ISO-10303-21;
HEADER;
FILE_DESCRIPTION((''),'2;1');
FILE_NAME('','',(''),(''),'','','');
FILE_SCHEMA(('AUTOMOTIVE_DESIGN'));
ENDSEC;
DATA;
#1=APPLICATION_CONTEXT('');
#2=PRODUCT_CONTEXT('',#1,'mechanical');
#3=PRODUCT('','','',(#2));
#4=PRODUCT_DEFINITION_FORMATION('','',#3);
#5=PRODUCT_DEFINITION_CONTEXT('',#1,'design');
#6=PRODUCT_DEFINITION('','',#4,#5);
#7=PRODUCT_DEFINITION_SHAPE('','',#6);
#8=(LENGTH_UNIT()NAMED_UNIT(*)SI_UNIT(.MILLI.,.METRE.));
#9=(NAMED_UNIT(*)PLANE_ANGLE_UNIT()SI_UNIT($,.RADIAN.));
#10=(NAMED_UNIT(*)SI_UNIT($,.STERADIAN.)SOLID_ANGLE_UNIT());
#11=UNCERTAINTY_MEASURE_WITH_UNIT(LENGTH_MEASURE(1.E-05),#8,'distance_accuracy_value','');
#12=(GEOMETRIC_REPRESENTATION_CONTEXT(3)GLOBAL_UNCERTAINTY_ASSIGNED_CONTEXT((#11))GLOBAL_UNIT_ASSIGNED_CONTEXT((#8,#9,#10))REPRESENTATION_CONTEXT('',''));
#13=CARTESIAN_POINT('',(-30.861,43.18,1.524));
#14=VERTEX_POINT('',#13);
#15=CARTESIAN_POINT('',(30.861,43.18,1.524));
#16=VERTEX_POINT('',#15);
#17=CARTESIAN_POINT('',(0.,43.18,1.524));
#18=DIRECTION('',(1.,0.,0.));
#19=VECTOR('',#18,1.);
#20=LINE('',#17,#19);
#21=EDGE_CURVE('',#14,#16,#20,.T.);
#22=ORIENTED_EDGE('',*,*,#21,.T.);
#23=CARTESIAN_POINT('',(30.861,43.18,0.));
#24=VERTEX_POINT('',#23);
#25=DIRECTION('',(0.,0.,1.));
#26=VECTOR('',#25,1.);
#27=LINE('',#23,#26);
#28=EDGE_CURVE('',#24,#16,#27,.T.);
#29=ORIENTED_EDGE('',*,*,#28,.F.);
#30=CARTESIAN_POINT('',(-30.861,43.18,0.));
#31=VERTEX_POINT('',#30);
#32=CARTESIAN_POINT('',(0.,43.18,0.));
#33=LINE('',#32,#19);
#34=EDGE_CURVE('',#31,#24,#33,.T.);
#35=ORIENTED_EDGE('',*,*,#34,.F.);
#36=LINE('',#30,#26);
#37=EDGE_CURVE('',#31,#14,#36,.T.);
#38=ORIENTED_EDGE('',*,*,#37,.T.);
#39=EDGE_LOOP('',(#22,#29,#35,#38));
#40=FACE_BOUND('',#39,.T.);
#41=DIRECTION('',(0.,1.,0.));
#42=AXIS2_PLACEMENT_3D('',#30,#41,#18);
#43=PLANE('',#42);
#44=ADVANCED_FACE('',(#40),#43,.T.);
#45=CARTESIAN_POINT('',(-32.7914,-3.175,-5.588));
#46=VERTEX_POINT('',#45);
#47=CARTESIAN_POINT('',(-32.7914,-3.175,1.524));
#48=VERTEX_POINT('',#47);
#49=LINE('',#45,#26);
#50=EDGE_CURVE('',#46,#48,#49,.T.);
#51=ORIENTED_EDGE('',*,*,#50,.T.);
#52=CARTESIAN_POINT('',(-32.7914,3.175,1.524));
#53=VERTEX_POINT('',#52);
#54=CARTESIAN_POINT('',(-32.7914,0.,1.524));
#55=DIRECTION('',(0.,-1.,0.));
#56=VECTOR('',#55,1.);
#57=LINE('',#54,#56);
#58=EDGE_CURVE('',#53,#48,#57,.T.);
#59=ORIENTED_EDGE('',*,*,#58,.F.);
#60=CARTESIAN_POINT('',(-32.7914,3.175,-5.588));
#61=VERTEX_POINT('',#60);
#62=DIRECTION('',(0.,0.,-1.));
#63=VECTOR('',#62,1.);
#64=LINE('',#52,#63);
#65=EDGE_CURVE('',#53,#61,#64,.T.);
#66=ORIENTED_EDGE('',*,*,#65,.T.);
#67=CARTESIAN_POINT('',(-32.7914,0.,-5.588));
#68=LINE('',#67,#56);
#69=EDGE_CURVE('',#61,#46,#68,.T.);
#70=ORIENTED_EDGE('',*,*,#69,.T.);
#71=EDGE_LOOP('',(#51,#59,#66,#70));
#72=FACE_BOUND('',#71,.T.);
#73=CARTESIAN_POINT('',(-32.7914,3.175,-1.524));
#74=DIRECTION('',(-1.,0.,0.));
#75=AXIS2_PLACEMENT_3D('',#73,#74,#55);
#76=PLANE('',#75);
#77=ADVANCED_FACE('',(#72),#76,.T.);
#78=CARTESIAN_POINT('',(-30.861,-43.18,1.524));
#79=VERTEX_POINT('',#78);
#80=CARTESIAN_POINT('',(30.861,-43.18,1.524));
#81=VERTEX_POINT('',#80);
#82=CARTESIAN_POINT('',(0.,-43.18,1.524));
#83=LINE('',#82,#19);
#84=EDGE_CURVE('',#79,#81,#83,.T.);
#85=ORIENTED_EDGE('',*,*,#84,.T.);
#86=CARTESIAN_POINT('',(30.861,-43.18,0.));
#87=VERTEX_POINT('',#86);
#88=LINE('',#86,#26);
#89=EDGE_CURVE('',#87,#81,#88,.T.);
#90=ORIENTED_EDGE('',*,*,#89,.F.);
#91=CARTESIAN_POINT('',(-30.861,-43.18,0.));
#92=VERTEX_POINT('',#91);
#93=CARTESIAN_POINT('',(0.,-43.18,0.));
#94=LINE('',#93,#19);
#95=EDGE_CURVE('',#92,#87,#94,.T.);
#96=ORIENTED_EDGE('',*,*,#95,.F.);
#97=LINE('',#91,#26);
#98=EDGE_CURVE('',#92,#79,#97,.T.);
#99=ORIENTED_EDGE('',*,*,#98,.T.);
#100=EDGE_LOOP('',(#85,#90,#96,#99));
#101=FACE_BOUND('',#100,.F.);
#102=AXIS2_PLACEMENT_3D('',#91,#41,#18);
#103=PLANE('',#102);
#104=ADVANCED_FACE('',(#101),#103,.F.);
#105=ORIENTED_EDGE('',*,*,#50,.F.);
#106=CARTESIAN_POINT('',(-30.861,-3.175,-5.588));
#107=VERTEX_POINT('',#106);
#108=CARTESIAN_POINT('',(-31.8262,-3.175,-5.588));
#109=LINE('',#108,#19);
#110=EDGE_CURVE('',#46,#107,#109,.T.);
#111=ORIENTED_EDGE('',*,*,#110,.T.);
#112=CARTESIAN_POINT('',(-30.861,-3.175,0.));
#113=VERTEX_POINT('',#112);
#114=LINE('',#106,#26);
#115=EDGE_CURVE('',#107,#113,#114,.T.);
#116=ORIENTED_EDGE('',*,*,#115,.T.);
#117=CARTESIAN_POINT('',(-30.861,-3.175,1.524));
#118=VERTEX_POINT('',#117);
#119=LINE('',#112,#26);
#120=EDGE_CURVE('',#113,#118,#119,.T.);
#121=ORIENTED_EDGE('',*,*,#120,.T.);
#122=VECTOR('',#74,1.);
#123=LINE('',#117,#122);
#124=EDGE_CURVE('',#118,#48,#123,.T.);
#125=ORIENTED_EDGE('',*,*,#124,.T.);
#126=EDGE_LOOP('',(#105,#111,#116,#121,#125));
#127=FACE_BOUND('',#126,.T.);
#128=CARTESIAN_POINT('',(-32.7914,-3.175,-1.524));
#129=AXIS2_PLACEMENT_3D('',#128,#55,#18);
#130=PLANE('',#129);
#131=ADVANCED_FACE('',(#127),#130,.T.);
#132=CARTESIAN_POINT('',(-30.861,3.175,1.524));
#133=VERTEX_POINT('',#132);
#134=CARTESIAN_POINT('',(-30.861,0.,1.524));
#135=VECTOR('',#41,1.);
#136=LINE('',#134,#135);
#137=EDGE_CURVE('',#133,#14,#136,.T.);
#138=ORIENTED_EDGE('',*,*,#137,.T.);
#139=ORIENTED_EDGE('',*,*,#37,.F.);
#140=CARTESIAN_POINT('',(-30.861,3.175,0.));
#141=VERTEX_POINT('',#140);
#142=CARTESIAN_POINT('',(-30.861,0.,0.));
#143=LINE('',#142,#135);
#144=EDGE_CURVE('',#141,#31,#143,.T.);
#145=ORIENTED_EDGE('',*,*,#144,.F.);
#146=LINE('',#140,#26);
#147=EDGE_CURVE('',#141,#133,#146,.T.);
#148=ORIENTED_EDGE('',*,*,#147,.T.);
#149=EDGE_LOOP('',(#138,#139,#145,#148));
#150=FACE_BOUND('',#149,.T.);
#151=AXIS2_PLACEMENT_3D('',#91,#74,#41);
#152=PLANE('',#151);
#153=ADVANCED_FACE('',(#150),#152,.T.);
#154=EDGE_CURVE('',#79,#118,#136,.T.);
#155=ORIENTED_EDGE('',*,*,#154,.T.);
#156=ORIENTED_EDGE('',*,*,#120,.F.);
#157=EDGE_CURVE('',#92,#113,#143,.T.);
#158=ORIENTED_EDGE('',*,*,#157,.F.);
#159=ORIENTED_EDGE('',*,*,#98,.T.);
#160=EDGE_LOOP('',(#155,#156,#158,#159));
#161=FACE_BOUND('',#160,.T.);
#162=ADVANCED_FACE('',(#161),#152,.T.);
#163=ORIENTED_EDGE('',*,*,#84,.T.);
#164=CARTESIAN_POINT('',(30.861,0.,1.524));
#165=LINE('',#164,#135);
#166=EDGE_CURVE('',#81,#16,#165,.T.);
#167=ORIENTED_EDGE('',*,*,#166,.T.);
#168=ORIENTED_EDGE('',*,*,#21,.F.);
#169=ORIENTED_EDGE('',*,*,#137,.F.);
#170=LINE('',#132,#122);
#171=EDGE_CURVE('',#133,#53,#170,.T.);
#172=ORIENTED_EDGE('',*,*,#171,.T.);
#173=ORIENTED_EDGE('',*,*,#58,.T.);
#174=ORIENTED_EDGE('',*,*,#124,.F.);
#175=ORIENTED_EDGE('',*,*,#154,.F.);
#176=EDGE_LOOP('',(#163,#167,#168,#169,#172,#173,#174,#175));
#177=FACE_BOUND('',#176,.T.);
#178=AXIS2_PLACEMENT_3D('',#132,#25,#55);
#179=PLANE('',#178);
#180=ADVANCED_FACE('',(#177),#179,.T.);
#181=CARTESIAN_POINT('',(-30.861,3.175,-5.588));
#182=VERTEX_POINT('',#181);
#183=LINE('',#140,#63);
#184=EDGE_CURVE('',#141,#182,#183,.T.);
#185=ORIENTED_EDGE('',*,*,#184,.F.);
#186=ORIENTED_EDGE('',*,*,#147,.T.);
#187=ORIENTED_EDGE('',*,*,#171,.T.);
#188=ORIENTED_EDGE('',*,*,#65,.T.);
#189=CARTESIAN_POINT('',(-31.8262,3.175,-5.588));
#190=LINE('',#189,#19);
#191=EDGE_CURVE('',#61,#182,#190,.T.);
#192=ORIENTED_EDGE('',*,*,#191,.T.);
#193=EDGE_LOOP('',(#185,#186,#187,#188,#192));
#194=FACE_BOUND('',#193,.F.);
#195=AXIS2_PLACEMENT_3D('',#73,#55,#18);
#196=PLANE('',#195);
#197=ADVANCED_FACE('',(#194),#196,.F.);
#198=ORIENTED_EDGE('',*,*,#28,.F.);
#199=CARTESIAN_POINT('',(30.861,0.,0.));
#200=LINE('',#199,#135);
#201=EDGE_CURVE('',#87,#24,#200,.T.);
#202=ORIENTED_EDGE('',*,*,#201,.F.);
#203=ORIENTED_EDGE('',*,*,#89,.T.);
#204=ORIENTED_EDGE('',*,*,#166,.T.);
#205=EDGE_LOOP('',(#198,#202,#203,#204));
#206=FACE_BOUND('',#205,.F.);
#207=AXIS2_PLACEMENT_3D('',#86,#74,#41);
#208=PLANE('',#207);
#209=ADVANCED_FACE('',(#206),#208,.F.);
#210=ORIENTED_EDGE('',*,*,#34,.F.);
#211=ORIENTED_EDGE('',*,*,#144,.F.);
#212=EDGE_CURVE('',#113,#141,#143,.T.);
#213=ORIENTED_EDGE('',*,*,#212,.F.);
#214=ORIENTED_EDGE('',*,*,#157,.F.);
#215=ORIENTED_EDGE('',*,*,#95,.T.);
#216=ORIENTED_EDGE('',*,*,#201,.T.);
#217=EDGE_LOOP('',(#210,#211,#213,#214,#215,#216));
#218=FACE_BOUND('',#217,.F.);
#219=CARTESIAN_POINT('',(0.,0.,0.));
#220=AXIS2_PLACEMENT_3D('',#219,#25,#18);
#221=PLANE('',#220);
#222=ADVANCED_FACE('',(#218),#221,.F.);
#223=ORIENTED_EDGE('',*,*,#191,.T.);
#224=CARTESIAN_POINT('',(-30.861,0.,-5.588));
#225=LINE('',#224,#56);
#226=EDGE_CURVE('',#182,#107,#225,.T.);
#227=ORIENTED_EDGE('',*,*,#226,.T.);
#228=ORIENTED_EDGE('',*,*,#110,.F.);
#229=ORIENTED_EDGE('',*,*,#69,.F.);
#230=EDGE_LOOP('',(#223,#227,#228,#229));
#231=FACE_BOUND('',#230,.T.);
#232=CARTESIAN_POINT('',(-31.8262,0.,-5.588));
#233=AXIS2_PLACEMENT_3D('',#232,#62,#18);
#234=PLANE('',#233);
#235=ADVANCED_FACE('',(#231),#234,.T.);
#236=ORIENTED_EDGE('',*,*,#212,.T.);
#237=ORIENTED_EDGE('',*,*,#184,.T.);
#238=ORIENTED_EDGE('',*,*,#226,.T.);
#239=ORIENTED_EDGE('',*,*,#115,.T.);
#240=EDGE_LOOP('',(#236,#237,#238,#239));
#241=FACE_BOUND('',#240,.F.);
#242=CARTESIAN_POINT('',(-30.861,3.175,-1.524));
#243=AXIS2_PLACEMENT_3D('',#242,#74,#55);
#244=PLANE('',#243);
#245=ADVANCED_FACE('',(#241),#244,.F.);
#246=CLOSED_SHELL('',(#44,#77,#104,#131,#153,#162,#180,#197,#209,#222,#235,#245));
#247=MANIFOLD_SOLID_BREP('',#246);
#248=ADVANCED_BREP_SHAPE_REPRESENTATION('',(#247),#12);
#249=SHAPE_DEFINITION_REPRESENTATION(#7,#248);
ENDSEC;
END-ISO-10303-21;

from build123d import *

# Parameters (mm, degrees)
F0_W     = 61.722
F0_H     = 86.36
F1_DEPTH = 1.524
F2_W     = 6.35
F2_H     = 3.048
F3_DEPTH = 1.9304
F4_W     = 1.9304
F4_H     = 6.35
F5_DEPTH = 4.064


with BuildPart() as f1:
    # F0 (on Top) → F1 (new body)
    with BuildSketch(Plane.XY):
        Rectangle(F0_W, F0_H)
    extrude(amount=F1_DEPTH)

    # F2 (on face) → F3 (join)
    with BuildSketch(Plane(origin=(-30.861, 0, 0), x_dir=(0, -1, 0), z_dir=(-1, 0, 0))):
        Rectangle(F2_W, F2_H)
    extrude(amount=F3_DEPTH)

    # F4 (on face) → F5 (join)
    with BuildSketch(Plane(origin=(0, 0, -1.524), x_dir=(1, 0, 0), z_dir=(0, 0, -1))):
        with Locations((-31.8262, 0)):
            Rectangle(F4_W, F4_H)
    extrude(amount=F5_DEPTH)


solid = f1.part
